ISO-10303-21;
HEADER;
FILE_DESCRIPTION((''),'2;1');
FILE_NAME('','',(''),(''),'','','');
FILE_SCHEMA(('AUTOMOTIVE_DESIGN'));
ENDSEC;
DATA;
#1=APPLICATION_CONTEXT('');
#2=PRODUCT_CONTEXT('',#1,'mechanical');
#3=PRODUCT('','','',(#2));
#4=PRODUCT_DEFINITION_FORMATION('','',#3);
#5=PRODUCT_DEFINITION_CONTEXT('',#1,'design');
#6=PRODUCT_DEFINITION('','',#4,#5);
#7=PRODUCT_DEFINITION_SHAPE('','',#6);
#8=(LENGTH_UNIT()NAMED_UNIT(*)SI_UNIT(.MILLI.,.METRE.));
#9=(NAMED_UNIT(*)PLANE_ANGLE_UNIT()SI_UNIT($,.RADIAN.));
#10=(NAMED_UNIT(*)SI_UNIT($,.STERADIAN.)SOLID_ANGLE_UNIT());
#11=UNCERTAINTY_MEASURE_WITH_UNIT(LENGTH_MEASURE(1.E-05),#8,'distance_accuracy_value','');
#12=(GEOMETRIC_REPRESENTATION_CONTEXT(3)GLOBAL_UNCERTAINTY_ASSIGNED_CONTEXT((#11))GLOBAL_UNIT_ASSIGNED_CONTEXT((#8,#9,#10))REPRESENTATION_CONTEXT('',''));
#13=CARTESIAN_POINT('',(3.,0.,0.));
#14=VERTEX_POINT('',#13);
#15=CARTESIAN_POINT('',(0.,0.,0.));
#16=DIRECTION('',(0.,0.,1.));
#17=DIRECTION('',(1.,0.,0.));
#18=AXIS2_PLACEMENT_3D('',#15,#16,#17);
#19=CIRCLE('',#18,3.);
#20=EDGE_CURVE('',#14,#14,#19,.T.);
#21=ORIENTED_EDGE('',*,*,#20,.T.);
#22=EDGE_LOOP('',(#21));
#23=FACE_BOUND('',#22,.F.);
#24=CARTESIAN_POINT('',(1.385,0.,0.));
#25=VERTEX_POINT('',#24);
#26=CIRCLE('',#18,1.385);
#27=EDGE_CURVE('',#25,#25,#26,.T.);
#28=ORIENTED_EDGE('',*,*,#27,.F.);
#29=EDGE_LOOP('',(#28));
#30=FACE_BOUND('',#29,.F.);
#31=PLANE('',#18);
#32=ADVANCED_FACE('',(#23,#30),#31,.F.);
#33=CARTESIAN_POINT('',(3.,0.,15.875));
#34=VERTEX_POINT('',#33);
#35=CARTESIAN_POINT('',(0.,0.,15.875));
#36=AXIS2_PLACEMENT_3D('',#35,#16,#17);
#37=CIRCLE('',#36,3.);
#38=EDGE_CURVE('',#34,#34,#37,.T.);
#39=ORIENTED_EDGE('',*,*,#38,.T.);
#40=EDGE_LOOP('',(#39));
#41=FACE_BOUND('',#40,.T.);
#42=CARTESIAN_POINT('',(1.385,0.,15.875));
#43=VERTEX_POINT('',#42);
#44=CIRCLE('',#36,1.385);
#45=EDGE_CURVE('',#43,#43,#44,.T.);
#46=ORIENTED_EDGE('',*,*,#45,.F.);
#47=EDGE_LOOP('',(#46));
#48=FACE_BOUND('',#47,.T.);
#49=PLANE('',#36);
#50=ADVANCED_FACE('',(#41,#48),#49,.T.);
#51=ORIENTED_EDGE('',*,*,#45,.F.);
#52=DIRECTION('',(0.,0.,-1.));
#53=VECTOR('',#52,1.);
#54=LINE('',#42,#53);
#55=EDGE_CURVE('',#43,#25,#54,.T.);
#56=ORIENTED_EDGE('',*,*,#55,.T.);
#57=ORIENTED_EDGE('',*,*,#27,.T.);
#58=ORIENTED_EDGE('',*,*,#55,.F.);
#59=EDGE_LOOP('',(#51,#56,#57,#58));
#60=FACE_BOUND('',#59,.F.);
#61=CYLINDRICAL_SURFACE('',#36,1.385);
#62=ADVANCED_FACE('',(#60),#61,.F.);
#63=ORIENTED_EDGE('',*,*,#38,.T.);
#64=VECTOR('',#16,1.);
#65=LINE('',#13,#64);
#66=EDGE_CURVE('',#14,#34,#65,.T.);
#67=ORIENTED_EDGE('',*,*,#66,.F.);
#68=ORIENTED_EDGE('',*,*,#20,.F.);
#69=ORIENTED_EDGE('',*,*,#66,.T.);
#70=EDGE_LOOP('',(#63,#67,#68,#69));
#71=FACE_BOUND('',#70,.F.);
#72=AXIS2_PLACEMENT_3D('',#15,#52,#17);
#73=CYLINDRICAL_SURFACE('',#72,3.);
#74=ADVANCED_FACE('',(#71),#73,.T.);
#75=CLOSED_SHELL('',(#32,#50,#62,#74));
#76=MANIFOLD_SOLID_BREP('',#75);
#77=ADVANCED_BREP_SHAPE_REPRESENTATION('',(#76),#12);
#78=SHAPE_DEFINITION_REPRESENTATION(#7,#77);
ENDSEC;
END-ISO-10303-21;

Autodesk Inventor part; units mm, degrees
ref_plane "YZ Plane" through (0, 0, 0) normal (1, 0, 0) x (0, 1, 0)
ref_plane "XZ Plane" through (0, 0, 0) normal (0, 1, 0) x (-1, 0, 0)
ref_plane "XY Plane" through (0, 0, 0) normal (0, 0, 1) x (1, 0, 0)
sketch "Sketch1" plane through (0, 0, 0) normal (0, 0, 1) x (1, 0, 0)
  circle A0 centre (0, 0) radius 3
  dimension "d0" = 6
extrude "Extrusion1" add sketch "Sketch1" along normal blind 15.875
sketch "Sketch2" plane through (0, 0, 15.875) normal (0, 0, 1) x (1, 0, 0)
  circle A0 centre (0, 0) radius 3 projected
  circle A1 centre (0, 0) radius 1.385
  dimension "d3" = 2.77
extrude "Extrusion2" cut sketch "Sketch2" against normal through all contours A1
properties part number "StandOff_0.625inch"
